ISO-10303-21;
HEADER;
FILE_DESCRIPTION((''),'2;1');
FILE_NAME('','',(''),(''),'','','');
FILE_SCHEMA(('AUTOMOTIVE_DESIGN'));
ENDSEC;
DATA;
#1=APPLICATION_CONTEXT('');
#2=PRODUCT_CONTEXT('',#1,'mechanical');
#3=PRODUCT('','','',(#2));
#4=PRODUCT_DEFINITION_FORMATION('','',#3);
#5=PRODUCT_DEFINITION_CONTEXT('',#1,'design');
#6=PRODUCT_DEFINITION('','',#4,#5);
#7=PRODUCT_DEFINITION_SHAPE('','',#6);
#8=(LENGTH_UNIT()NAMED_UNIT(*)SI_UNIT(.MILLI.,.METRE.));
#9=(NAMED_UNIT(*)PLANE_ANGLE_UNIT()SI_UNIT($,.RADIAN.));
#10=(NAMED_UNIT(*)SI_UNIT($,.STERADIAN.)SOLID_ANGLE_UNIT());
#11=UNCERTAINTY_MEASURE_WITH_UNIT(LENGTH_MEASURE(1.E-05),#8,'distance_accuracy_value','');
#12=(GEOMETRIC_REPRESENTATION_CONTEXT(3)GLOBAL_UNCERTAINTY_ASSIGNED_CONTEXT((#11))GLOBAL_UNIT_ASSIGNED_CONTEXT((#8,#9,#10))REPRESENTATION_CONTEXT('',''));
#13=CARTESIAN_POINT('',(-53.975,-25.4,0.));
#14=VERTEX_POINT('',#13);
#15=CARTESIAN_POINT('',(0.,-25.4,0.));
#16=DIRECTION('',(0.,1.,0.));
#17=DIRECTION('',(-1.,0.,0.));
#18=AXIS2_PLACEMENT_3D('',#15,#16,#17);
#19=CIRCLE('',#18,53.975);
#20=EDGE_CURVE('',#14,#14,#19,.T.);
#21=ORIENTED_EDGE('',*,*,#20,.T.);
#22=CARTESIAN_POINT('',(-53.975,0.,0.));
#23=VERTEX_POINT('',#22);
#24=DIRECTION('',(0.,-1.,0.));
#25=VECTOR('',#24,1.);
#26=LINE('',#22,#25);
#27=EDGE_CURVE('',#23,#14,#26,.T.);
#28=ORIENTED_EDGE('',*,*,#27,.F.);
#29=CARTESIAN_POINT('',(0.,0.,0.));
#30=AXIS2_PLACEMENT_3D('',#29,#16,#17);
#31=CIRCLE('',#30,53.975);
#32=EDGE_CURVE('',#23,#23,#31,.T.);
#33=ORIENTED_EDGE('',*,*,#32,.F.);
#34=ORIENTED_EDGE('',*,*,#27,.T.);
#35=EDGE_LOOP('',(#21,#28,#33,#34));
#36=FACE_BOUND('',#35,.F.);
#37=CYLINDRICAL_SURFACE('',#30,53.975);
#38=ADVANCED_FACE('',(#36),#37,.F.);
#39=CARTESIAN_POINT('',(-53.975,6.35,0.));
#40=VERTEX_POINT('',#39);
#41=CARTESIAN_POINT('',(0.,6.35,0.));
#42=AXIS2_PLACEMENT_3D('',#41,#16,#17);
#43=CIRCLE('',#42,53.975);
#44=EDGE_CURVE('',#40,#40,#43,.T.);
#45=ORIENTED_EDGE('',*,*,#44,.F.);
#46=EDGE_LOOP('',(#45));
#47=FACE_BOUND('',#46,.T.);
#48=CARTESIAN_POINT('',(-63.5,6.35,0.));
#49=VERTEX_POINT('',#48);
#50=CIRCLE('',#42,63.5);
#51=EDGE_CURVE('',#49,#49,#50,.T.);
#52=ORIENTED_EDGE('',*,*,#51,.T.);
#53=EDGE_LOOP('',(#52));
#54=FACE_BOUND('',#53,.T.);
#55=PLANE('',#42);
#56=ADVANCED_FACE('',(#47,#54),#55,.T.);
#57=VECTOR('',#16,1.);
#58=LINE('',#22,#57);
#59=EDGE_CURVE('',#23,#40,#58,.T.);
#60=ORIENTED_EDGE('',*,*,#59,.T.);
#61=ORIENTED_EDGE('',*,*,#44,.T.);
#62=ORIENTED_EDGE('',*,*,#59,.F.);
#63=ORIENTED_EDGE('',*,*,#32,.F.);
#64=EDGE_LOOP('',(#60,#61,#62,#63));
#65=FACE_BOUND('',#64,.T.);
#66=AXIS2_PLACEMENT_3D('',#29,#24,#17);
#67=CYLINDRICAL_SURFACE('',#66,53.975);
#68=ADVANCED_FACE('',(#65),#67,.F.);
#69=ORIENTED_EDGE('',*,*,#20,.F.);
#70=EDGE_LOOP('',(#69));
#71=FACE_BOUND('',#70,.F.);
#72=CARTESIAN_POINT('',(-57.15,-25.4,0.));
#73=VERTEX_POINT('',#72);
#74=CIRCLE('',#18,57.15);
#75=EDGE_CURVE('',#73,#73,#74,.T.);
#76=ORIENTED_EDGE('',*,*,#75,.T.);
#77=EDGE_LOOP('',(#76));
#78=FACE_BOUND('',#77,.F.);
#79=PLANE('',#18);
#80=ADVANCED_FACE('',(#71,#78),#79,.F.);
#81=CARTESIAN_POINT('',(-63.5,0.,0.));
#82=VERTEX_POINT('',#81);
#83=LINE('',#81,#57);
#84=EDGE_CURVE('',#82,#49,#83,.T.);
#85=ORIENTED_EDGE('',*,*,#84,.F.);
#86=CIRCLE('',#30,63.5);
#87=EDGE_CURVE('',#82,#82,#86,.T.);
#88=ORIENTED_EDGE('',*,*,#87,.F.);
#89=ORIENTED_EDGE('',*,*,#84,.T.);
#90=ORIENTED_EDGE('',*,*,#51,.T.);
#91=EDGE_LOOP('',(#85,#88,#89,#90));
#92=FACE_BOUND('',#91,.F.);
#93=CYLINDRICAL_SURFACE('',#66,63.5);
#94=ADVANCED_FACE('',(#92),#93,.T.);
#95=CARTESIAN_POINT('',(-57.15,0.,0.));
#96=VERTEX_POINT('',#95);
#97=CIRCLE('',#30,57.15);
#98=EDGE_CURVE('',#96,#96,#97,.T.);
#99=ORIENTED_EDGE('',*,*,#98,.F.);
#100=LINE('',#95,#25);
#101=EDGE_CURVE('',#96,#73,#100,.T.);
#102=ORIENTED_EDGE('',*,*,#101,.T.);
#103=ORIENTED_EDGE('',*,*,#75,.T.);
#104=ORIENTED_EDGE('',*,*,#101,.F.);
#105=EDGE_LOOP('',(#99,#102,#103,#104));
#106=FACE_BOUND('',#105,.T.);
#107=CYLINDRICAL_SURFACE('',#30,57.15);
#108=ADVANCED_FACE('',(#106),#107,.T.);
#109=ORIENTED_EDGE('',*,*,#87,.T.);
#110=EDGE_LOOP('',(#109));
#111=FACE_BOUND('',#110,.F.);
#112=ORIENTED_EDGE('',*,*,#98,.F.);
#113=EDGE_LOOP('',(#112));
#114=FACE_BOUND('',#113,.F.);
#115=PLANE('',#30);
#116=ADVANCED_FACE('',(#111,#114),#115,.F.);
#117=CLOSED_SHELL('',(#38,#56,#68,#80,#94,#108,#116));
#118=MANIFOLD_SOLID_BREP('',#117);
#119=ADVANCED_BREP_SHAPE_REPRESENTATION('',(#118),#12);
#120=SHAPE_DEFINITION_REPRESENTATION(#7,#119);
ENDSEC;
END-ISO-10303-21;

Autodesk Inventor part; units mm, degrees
ref_plane "YZ Plane" through (0, 0, 0) normal (1, 0, 0) x (0, 1, 0)
ref_plane "XZ Plane" through (0, 0, 0) normal (0, 1, 0) x (-1, 0, 0)
sketch "Sketch1" plane through (0, 0, 0) normal (0, 1, 0) x (-1, 0, 0)
  circle A0 centre (0, 0) radius 63.5
  circle A1 centre (0, 0) radius 57.15
  circle A2 centre (0, 0) radius 50.8 construction
  circle A3 centre (0, 0) radius 53.975
  dimension "d1" = 127
  dimension "d2" = 114.3
  dimension "d3" = 101.6
  dimension "d4" = 107.95
extrude "Extrusion1" add sketch "Sketch1" along normal blind 6.35 contours A0 | A1
extrude "Extrusion2" add sketch "Sketch1" against normal blind 25.4 contours A1
sketch "Sketch2" plane through (0, 0, 0) normal (0, 0, 1) x (1, 0, 0)
  line L0 (-57.15, -25.4) -> (57.15, -25.4) projected
  line L1 (-57.15, -25.4) -> (-57.15, -50.8)
  line L2 (-57.15, -25.4) -> (-31.75, -25.4) construction
  point P0 (0, 0)
  dimension "d9" = 90
  dimension "d10" = 25.4
ref_plane "Work Plane1" through (-57.15, -50.8, 0) normal (0, -1, 0) x (1, 0, 0)
properties part number "Water Bottle Ring" material "Acetal Resin, Black"
